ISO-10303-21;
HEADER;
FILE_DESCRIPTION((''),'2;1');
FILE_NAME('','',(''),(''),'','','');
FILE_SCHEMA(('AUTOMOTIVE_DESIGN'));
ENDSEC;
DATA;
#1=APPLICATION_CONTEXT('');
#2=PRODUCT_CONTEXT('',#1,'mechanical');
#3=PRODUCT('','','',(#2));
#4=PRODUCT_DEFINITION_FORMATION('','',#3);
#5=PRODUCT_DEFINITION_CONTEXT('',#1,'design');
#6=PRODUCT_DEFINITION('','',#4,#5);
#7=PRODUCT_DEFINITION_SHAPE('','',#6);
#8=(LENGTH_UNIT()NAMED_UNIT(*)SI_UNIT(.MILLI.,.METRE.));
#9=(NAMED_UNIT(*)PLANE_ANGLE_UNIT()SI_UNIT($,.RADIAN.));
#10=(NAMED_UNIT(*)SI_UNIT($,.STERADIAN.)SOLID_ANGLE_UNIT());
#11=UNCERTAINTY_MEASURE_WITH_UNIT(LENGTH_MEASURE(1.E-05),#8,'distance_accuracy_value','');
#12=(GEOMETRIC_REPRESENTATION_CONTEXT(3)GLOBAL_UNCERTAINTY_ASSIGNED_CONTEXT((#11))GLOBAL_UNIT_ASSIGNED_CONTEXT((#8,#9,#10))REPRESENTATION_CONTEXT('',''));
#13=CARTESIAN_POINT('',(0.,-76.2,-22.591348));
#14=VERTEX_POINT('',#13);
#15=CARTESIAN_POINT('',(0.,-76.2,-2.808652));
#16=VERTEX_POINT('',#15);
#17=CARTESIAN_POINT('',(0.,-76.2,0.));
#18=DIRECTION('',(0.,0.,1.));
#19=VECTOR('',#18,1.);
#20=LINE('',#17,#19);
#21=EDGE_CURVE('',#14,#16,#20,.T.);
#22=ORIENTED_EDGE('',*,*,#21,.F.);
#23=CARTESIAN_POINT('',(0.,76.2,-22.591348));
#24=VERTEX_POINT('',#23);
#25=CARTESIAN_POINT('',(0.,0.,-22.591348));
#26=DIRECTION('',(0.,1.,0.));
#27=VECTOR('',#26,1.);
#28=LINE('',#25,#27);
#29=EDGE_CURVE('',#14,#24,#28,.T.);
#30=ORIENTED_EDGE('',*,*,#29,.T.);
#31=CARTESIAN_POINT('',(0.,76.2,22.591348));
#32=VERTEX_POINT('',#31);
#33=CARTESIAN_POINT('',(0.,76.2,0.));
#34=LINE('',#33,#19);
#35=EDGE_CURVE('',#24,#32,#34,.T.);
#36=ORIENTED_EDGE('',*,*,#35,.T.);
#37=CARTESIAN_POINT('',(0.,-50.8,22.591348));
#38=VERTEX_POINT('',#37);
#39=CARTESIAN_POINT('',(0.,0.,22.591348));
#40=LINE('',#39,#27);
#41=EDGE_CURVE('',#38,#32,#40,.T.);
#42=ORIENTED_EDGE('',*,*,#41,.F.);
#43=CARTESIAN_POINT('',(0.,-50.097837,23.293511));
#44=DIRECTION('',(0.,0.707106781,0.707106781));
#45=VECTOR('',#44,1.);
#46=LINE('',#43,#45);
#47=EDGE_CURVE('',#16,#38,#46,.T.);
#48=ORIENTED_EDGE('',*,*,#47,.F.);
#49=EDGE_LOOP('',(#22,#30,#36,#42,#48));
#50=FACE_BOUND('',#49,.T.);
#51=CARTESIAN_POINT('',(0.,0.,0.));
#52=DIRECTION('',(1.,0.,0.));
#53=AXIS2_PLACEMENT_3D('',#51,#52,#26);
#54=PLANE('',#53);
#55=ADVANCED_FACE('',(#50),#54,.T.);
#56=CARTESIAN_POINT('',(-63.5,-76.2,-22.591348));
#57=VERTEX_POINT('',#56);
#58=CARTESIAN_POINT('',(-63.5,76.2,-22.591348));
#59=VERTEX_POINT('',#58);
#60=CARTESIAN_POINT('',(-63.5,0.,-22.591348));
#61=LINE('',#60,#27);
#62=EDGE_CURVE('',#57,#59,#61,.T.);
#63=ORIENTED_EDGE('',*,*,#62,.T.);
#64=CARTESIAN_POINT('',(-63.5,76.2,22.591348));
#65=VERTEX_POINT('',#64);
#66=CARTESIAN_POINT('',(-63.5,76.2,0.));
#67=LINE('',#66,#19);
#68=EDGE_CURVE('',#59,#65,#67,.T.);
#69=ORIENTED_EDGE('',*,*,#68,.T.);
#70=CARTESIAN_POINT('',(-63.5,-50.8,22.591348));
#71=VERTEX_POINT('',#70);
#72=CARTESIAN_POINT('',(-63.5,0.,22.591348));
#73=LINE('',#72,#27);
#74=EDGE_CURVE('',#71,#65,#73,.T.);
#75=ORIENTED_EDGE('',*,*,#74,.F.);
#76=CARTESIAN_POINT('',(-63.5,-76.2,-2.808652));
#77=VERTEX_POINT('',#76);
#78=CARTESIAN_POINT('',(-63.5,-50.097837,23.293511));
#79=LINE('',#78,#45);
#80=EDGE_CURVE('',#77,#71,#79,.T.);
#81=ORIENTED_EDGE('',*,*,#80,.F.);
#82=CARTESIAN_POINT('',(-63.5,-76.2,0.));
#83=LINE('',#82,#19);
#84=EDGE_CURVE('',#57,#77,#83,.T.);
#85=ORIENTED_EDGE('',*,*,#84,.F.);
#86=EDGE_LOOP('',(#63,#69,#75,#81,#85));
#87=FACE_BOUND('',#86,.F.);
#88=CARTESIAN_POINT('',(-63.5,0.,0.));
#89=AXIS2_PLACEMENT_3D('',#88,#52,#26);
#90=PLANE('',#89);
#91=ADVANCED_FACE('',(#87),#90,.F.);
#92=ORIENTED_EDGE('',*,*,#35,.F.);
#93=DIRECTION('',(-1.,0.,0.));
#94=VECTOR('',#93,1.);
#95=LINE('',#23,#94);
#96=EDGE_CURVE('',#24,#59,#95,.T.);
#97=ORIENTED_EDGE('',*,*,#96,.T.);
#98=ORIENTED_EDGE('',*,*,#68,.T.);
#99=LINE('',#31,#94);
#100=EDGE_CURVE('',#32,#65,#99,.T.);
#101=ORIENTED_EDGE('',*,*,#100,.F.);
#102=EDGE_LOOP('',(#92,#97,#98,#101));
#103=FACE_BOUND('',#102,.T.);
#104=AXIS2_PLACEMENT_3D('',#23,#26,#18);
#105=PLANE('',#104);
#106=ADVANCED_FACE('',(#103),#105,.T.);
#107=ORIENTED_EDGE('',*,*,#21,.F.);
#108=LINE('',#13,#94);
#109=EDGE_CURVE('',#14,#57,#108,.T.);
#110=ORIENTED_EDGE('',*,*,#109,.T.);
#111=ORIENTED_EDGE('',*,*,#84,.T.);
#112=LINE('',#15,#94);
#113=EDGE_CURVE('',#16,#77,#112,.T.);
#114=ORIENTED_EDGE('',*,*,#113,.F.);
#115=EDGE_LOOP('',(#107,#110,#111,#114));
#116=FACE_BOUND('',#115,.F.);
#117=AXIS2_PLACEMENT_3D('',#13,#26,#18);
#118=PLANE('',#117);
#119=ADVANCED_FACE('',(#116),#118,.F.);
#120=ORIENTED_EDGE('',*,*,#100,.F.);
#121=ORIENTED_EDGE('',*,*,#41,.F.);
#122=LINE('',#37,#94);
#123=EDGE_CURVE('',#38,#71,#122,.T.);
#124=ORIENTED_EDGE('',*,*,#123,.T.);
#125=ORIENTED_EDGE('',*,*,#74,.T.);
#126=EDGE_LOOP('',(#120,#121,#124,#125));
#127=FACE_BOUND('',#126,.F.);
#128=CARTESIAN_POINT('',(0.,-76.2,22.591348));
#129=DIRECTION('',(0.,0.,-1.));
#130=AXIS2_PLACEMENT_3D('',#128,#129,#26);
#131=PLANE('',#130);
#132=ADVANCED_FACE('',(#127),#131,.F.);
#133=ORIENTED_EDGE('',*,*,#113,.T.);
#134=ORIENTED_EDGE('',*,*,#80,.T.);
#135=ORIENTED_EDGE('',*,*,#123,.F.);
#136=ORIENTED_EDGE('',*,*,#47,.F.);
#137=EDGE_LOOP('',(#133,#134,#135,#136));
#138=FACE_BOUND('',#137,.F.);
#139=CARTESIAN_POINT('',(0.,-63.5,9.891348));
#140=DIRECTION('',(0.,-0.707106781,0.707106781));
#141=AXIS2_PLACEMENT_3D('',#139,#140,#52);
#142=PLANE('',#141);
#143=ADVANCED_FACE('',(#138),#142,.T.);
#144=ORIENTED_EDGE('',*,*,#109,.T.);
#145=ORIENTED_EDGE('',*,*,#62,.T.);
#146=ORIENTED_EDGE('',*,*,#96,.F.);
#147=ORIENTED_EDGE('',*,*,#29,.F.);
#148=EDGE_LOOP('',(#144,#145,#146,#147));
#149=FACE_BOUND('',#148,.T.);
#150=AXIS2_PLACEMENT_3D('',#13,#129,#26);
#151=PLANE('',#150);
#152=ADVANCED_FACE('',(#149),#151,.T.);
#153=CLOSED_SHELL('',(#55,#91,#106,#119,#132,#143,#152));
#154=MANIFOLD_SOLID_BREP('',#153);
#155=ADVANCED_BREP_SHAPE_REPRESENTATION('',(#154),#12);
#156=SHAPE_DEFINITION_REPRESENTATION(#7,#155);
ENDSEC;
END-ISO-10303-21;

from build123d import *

# Parameters (mm, degrees)
F0_W     = 152.4
F0_H     = 45.182696
F1_DEPTH = 63.5
F2_SIZE  = 25.4


with BuildPart() as f1:
    # F0 (on Right) → F1 (new body)
    with BuildSketch(Plane.YZ):
        Rectangle(F0_W, F0_H)
    extrude(amount=-F1_DEPTH)

    # F2
    f2_edges = [f1.edges().sort_by_distance(p)[0] for p in [
        (-31.75, -76.2, 22.591348),
    ]]
    chamfer(f2_edges, length=F2_SIZE)


solid = f1.part
